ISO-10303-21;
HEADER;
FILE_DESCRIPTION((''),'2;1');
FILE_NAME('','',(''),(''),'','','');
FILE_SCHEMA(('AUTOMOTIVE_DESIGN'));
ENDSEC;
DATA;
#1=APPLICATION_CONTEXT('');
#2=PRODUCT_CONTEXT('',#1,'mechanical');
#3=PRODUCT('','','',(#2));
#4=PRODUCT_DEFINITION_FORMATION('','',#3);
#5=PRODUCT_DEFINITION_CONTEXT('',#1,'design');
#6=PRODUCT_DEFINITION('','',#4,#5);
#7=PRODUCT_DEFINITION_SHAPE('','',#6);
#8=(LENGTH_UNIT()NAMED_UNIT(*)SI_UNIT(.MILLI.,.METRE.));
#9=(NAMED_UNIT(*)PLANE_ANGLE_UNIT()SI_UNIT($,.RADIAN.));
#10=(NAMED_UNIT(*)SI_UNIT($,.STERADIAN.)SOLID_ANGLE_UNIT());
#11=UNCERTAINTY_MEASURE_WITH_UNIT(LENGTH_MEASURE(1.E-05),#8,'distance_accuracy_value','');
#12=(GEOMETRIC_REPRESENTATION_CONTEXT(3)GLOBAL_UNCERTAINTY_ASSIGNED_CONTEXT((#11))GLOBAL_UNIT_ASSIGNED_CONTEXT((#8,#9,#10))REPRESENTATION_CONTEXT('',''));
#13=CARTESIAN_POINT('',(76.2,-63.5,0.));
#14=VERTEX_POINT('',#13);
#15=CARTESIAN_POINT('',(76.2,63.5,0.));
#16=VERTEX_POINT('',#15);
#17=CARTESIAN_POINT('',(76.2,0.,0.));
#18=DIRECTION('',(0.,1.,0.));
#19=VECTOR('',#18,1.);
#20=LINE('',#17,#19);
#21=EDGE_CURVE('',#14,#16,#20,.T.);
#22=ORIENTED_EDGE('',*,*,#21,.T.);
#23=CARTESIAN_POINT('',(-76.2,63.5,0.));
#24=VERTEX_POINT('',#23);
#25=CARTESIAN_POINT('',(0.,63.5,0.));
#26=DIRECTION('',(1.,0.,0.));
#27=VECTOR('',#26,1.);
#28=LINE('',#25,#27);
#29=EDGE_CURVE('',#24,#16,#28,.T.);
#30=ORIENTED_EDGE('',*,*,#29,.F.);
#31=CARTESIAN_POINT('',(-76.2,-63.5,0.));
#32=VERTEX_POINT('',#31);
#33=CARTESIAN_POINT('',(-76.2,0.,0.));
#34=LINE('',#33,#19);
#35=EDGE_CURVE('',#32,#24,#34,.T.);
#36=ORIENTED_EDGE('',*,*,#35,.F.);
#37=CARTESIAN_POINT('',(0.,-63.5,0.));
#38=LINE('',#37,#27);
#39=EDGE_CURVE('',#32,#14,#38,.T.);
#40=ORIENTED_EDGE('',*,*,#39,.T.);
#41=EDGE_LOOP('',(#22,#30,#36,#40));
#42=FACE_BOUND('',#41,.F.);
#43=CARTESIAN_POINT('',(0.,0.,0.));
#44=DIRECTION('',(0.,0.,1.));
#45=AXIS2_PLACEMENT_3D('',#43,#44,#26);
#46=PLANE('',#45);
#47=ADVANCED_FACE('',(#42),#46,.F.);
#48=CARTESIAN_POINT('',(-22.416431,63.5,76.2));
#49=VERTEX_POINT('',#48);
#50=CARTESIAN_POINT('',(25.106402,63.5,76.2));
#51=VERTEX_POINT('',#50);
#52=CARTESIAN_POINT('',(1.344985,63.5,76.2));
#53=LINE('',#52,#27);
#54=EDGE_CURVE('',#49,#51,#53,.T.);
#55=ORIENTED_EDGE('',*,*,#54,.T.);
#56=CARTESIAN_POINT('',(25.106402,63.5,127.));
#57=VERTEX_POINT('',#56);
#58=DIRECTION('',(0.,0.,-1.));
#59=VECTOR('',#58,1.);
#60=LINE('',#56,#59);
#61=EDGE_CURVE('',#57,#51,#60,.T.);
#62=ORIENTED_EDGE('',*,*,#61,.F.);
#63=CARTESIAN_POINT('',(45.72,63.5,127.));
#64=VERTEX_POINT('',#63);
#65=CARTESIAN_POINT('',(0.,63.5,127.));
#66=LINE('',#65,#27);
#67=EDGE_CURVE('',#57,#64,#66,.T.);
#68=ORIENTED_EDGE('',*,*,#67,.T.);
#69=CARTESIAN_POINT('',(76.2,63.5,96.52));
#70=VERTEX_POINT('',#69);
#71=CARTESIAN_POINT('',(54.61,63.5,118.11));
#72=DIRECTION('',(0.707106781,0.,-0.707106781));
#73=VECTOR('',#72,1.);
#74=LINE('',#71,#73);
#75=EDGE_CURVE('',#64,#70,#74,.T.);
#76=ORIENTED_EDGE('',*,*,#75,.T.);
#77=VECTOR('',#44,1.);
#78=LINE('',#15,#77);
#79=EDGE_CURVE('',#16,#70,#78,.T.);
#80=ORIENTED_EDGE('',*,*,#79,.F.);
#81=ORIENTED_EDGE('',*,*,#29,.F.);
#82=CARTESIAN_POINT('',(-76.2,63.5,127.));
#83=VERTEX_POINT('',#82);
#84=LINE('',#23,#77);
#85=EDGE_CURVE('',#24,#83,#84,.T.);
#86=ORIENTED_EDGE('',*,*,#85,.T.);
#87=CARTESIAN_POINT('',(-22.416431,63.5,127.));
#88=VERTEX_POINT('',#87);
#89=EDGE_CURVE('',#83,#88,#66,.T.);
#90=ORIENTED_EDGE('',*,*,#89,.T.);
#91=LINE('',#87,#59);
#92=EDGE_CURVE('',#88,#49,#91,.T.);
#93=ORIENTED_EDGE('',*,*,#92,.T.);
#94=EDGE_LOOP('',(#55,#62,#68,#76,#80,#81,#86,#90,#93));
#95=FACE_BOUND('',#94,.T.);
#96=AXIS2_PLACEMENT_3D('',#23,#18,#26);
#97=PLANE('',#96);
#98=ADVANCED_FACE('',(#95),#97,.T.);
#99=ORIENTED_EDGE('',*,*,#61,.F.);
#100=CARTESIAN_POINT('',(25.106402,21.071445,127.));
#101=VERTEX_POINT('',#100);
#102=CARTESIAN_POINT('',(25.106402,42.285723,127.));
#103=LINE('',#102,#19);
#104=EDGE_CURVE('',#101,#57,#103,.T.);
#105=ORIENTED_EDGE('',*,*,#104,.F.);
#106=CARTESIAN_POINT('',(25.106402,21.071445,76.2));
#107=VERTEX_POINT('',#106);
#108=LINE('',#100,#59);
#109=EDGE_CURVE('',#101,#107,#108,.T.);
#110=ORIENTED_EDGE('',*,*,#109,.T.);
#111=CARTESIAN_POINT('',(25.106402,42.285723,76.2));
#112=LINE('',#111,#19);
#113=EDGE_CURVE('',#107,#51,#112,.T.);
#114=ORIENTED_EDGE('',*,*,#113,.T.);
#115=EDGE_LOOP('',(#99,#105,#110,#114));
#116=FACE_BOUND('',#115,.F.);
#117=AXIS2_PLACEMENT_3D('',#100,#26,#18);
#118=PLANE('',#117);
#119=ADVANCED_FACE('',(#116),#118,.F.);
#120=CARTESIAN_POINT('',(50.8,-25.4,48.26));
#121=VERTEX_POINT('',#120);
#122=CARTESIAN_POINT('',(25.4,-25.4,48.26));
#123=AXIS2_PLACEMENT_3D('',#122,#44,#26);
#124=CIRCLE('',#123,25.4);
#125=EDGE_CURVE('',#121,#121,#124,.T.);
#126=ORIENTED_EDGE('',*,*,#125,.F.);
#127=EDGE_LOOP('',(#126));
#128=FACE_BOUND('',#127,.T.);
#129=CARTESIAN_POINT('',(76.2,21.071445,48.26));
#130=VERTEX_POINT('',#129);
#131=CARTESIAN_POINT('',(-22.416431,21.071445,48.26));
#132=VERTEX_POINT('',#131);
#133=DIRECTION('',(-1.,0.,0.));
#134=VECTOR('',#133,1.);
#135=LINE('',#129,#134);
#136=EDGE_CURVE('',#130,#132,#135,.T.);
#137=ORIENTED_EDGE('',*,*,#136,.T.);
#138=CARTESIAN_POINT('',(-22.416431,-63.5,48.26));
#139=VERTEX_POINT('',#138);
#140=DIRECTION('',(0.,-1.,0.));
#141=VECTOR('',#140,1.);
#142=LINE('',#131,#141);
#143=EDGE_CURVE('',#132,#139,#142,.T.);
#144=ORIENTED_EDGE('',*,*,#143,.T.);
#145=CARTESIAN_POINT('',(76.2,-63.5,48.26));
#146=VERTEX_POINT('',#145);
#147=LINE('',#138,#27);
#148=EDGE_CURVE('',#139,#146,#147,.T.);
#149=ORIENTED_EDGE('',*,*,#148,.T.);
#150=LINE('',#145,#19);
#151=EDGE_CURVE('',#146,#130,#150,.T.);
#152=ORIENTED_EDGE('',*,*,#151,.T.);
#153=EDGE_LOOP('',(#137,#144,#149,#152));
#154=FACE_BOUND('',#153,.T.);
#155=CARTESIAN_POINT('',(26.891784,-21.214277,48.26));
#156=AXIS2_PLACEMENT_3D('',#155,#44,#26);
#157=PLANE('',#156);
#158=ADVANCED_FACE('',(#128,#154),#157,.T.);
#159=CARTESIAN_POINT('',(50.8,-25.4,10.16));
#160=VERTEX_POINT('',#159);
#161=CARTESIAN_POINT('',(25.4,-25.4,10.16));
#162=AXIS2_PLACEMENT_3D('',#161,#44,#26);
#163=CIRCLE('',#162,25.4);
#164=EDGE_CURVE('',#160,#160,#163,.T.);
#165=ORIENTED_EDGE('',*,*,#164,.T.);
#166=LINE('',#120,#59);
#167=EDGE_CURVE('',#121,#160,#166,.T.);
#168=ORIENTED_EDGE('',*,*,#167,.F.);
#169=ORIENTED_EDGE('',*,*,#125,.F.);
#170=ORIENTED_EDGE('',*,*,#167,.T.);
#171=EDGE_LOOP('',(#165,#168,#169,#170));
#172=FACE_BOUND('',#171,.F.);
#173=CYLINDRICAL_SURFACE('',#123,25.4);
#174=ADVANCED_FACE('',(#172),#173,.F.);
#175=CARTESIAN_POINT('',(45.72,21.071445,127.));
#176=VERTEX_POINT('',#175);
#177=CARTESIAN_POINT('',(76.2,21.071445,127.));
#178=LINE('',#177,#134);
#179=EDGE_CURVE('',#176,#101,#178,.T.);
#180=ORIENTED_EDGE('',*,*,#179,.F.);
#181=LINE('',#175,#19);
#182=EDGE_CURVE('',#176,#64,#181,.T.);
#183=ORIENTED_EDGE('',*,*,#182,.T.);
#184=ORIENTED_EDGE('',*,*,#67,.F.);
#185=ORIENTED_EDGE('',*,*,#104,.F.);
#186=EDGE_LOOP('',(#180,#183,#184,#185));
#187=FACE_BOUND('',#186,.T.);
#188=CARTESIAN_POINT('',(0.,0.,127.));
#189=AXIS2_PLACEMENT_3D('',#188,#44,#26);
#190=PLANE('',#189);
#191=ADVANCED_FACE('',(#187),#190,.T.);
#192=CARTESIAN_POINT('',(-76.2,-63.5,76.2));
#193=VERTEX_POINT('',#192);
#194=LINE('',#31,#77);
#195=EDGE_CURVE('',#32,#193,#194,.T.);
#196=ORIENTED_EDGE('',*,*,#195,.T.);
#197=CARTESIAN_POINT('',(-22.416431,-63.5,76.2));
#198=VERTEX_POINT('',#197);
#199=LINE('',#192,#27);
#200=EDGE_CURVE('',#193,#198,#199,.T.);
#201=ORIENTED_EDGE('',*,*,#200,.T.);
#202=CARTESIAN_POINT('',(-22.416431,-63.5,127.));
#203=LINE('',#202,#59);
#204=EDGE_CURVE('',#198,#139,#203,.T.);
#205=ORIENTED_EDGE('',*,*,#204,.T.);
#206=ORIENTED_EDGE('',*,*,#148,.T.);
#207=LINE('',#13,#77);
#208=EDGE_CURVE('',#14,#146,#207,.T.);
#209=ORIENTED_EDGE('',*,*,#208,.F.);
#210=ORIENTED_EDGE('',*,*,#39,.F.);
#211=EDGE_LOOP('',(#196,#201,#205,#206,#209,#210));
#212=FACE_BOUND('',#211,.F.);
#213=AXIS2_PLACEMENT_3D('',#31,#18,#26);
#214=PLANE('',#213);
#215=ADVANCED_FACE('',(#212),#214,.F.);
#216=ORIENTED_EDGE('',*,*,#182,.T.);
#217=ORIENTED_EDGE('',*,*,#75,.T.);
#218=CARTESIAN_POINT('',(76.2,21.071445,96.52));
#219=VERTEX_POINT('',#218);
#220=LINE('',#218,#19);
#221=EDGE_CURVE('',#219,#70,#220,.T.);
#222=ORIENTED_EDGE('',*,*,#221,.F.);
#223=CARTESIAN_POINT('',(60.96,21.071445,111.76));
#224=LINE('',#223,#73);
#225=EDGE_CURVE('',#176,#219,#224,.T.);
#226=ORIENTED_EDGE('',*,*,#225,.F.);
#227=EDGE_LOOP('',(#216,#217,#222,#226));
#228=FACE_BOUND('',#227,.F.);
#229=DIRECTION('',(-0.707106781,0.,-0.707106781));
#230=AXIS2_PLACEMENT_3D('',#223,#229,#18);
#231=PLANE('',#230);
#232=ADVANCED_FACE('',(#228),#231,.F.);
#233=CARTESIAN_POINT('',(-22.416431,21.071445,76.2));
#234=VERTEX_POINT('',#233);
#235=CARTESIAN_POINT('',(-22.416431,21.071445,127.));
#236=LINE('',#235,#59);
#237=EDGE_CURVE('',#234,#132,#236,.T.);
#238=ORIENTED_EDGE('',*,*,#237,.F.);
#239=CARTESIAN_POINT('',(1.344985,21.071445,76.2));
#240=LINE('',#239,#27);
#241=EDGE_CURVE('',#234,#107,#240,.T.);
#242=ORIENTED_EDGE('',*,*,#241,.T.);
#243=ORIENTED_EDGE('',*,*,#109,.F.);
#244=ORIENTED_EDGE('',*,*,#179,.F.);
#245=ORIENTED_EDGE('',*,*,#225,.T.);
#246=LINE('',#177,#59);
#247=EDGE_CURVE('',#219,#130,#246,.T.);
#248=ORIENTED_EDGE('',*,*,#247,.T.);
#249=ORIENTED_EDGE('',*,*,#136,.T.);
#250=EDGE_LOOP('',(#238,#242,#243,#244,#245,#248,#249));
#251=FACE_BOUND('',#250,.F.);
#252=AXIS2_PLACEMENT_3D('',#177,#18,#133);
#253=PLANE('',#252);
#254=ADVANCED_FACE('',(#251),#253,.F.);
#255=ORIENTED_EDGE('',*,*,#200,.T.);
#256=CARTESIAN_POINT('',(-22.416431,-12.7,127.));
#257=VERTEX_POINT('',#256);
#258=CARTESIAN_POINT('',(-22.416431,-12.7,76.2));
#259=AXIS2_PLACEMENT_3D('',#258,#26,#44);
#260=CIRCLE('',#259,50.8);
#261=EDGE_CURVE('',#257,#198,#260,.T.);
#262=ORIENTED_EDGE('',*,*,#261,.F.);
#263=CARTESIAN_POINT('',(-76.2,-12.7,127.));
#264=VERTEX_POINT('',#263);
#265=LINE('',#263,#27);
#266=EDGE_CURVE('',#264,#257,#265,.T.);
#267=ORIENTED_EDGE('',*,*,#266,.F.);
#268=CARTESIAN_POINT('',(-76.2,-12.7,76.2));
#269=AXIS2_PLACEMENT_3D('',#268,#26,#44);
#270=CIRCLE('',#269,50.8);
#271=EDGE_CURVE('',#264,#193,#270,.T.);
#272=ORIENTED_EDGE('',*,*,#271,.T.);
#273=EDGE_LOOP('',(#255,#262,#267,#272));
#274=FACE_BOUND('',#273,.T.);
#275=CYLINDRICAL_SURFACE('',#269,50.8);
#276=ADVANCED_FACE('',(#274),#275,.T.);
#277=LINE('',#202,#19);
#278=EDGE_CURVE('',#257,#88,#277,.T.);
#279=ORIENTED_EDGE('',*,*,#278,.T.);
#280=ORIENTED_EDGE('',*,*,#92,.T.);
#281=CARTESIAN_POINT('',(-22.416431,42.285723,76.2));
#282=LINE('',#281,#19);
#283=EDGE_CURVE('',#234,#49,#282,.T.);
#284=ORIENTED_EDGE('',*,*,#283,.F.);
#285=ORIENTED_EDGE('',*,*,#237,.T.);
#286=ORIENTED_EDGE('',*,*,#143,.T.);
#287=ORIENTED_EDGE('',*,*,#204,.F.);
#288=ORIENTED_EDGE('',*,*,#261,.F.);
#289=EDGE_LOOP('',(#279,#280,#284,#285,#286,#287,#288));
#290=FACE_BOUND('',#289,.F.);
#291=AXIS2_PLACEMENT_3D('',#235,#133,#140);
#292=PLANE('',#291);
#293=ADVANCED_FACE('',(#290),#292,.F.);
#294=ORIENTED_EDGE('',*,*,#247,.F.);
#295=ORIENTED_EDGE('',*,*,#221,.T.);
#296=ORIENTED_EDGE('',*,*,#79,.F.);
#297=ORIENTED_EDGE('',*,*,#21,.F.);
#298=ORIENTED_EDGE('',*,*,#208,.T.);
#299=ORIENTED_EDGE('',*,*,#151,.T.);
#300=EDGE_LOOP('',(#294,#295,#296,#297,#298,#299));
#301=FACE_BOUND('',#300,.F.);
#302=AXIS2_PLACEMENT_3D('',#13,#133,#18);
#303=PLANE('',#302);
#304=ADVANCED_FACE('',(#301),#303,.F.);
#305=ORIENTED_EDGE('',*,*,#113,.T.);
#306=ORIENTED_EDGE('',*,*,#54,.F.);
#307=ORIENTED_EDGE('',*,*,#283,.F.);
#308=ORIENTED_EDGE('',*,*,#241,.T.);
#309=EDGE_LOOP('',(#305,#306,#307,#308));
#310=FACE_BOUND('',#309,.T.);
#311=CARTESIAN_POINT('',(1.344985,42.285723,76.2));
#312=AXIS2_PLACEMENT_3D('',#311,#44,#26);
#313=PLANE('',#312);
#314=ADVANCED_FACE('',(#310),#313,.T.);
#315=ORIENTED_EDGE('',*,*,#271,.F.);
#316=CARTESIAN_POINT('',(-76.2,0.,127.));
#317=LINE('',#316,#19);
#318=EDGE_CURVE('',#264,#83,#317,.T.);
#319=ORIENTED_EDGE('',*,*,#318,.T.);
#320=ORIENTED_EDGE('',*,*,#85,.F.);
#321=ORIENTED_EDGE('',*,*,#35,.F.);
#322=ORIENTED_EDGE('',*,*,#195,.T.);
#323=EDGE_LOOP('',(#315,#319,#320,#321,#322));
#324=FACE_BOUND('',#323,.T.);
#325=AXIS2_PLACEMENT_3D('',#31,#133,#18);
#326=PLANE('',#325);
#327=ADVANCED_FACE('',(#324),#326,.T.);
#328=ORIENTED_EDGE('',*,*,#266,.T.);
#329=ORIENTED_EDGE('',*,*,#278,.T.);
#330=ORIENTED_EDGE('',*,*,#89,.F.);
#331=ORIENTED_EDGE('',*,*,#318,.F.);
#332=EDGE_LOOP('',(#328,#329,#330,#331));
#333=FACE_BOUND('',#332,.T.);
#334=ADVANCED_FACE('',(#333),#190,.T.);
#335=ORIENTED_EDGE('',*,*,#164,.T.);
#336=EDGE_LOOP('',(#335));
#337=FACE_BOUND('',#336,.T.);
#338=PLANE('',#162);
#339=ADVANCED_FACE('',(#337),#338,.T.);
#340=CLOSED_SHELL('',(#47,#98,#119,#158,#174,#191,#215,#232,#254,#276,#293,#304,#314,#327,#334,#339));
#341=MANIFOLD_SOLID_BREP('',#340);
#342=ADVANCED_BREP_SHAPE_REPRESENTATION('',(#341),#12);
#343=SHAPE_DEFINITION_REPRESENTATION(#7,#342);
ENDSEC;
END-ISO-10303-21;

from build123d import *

# Parameters (mm, degrees)
F0_W     = 152.4
F0_H     = 127
F1_DEPTH = 127
F3_DEPTH = 78.74
F2_W     = 47.5228335708
F2_H     = 42.4285548031
F4_DEPTH = 50.8
F5_SIZE  = 30.48
F6_R     = 25.4
F7_DEPTH = 38.1
F8_R     = 50.8


with BuildPart() as f1:
    # F0 (on Top) → F1 (new body)
    with BuildSketch(Plane.XY):
        Rectangle(F0_W, F0_H)
    extrude(amount=F1_DEPTH)

    # F2 (on face) → F3 (cut)
    with BuildSketch(Plane.XY.offset(127)):
        Polygon((-22.4164314568, -24.2097526789), (-22.4164314568, -63.5), (76.2, -63.5), (76.2, 21.0714451969), (40.7979153097, 21.0714451969), (25.106402114, 21.0714451969), (-22.4164314568, 21.0714451969), align=None)
    extrude(amount=-F3_DEPTH, mode=Mode.SUBTRACT)

    # F2 (on face) → F4 (cut)
    with BuildSketch(Plane.XY.offset(127)):
        with Locations((1.3449853286, 42.2857225984)):
            Rectangle(F2_W, F2_H)
    extrude(amount=-F4_DEPTH, mode=Mode.SUBTRACT)

    # F5
    f5_edges = [f1.edges().sort_by_distance(p)[0] for p in [
        (76.2, 42.285723, 127),
    ]]
    chamfer(f5_edges, length=F5_SIZE)

    # F6 (on face) → F7 (cut)
    with BuildSketch(Plane.XY.offset(48.26)):
        with Locations((25.4, -25.4)):
            Circle(F6_R)
    extrude(amount=-F7_DEPTH, mode=Mode.SUBTRACT)

    # F8
    f8_edges = [f1.edges().sort_by_distance(p)[0] for p in [
        (-49.308216, -63.5, 127),
    ]]
    fillet(f8_edges, radius=F8_R)


solid = f1.part
